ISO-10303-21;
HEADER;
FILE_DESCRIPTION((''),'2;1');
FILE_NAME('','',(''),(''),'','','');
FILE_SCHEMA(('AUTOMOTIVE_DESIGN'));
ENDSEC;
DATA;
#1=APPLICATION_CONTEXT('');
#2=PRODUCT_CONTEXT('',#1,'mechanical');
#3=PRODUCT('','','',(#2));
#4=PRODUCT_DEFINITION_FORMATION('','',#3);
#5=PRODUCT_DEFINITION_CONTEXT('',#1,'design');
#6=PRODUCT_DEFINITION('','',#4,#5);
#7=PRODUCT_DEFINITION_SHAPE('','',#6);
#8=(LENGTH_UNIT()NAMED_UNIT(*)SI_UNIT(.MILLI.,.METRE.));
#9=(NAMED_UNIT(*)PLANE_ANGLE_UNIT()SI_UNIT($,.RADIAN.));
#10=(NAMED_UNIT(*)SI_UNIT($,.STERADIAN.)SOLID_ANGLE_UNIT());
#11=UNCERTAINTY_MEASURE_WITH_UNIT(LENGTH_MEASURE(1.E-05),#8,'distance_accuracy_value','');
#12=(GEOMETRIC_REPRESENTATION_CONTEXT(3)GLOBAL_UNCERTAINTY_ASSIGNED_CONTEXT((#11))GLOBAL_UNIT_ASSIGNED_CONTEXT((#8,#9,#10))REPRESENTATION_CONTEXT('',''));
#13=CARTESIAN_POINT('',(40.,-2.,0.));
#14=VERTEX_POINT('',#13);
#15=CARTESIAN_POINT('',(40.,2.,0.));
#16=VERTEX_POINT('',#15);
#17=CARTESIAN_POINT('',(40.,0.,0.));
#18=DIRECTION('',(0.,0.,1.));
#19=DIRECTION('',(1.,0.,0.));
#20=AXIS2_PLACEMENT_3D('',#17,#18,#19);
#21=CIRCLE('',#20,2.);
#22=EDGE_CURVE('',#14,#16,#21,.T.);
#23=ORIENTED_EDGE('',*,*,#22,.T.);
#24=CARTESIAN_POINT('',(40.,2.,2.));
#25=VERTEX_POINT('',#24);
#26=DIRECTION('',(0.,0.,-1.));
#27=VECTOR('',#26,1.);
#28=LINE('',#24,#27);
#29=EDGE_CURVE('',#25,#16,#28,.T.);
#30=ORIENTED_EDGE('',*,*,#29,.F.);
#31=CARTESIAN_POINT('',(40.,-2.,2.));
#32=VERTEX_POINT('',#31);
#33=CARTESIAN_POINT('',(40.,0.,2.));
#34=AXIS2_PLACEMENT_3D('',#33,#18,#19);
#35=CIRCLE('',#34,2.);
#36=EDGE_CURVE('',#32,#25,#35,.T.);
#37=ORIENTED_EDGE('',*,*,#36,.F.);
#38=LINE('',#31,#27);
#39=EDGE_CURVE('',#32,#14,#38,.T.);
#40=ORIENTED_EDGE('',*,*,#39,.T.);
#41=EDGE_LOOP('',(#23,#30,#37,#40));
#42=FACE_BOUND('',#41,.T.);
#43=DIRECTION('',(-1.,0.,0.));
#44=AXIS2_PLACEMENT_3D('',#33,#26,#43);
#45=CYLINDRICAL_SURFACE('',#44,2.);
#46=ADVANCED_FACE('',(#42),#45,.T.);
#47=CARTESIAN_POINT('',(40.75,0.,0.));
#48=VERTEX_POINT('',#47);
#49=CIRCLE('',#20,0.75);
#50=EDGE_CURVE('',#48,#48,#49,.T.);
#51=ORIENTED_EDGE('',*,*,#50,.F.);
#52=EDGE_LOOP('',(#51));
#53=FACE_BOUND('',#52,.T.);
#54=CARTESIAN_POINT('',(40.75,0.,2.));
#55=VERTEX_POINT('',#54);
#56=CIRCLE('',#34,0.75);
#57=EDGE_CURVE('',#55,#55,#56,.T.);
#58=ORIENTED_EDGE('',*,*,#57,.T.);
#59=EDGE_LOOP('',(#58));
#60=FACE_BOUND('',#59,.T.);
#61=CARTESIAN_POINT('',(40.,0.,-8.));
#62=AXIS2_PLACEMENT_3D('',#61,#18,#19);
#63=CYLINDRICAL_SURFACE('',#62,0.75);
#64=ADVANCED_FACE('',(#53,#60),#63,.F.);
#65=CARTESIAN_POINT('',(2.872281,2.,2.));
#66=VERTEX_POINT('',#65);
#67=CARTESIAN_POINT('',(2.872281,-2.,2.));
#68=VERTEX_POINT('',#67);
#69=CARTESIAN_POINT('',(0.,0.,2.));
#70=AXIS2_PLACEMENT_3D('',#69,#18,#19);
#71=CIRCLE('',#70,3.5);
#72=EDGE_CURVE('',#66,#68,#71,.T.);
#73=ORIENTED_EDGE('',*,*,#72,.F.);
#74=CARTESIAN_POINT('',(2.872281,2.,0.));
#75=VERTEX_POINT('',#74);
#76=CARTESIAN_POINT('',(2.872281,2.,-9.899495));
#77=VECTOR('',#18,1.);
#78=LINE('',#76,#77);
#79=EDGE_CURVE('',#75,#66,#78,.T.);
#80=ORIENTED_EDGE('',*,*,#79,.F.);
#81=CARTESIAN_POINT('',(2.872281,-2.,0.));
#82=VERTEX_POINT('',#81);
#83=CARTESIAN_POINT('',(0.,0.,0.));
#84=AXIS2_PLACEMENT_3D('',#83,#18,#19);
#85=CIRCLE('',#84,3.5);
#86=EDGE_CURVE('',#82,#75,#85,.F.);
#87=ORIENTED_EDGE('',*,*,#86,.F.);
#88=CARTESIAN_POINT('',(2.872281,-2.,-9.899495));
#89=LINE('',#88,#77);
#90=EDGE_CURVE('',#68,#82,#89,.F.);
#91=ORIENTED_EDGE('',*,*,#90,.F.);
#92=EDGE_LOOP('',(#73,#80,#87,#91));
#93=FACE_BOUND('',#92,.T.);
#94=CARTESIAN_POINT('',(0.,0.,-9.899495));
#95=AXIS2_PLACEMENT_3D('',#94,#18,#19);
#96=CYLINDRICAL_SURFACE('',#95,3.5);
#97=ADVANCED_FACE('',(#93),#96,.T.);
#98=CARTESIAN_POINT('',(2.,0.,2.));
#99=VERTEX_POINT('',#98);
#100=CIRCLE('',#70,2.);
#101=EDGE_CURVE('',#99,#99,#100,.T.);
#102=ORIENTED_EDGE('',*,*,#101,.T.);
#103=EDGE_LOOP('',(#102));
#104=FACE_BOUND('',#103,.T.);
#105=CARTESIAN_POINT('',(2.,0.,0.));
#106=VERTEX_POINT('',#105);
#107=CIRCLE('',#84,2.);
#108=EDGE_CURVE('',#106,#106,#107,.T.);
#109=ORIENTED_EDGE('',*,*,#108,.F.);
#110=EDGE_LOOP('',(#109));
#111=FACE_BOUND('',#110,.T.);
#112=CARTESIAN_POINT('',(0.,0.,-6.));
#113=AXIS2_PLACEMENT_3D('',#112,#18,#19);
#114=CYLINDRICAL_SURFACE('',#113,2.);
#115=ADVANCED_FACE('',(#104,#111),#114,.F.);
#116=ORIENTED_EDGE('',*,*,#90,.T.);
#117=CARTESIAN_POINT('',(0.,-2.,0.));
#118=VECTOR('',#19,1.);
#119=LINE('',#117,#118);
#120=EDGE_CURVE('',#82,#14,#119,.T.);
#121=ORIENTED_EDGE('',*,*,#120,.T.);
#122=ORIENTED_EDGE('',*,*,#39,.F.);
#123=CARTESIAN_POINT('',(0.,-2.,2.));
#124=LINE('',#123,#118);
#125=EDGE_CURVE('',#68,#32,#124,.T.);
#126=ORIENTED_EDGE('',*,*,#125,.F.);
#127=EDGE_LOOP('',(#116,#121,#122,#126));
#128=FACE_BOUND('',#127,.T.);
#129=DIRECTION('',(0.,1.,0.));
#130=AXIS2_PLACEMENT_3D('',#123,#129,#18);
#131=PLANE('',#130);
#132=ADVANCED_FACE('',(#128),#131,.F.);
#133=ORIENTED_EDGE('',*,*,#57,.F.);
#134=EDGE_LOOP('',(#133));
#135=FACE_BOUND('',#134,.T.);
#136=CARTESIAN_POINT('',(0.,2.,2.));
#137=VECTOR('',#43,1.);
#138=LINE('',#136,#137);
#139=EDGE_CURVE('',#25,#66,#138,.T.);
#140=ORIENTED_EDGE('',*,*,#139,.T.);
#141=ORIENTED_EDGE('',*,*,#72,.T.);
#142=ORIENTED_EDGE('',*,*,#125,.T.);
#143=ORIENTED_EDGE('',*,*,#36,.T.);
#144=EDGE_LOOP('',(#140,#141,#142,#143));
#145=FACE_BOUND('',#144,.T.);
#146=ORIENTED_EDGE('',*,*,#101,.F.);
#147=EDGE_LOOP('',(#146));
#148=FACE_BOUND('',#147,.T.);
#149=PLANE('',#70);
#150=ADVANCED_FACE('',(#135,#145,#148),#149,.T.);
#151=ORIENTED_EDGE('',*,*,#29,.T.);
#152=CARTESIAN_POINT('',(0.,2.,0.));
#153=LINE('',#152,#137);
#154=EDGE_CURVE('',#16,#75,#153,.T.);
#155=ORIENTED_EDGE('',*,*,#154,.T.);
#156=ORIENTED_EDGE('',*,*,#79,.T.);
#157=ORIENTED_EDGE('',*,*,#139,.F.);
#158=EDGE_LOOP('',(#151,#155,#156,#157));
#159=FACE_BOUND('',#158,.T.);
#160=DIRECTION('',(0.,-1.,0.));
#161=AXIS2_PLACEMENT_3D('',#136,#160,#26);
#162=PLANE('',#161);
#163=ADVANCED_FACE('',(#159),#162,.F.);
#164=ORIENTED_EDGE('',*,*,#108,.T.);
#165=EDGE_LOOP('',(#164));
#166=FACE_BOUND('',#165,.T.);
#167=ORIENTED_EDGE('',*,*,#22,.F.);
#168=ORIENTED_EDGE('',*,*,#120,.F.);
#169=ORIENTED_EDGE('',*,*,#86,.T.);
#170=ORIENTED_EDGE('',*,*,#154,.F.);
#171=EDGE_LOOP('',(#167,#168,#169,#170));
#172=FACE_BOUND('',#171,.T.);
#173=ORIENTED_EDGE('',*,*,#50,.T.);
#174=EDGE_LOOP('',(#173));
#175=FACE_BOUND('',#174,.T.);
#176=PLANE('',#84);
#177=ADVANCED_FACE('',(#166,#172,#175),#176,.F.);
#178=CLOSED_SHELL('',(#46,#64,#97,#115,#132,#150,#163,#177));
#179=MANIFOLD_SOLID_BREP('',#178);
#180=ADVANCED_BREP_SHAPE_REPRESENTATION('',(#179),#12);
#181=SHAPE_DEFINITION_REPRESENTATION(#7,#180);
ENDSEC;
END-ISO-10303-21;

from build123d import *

# Parameters (mm, degrees)
BOSS_EXTRUDE1_DEPTH     = 2
SKETCH2_R               = 2
BOSS_EXTRUDE2_DEPTH     = 8
CROQUIS1_R              = 0.75
CORTAR_EXTRUIR1_DEPTH   = 10
CORTAR_EXTRUIR2_START   = -16
CROQUIS2_R              = 2
CORTAR_EXTRUIR2_DEPTH   = 16
SALIENTE_EXTRUIR1_START = -2
CROQUIS3_R              = 3.5
CROQUIS3_R_2            = 2
SALIENTE_EXTRUIR1_DEPTH = 2


with BuildPart() as part:
    # Sketch1 → Boss-Extrude1 (new body)
    with BuildSketch(Plane.XY):
        with BuildLine():
            Line((0, -2), (40, -2))
            ThreePointArc((40, -2), (42, 0), (40, 2))
            Line((40, 2), (0, 2))
            ThreePointArc((0, 2), (-2, 0), (0, -2))
        make_face()
    extrude(amount=BOSS_EXTRUDE1_DEPTH)

    # Sketch2 → Boss-Extrude2 (add)
    with BuildSketch(Plane.XY.offset(2)):
        with Locations(Location((0, 0, 0), (0, 0, 270))):
            Circle(SKETCH2_R)
    extrude(amount=BOSS_EXTRUDE2_DEPTH)

    # Croquis1 → Cortar-Extruir1 (cut)
    with BuildSketch(Plane.XY.offset(2)):
        with Locations((40, 0)):
            Circle(CROQUIS1_R)
    extrude(amount=-CORTAR_EXTRUIR1_DEPTH, mode=Mode.SUBTRACT)

    # Croquis2 → Cortar-Extruir2 (cut)
    with BuildSketch(Plane.XY.offset(10).offset(CORTAR_EXTRUIR2_START)):
        Circle(CROQUIS2_R)
    extrude(amount=CORTAR_EXTRUIR2_DEPTH, mode=Mode.SUBTRACT)

    # Croquis3 → Saliente-Extruir1 (add)
    with BuildSketch(Plane.XY.offset(2).offset(SALIENTE_EXTRUIR1_START)):
        Circle(CROQUIS3_R)
        Circle(CROQUIS3_R_2, mode=Mode.SUBTRACT)
    extrude(amount=SALIENTE_EXTRUIR1_DEPTH)


solid = part.part
